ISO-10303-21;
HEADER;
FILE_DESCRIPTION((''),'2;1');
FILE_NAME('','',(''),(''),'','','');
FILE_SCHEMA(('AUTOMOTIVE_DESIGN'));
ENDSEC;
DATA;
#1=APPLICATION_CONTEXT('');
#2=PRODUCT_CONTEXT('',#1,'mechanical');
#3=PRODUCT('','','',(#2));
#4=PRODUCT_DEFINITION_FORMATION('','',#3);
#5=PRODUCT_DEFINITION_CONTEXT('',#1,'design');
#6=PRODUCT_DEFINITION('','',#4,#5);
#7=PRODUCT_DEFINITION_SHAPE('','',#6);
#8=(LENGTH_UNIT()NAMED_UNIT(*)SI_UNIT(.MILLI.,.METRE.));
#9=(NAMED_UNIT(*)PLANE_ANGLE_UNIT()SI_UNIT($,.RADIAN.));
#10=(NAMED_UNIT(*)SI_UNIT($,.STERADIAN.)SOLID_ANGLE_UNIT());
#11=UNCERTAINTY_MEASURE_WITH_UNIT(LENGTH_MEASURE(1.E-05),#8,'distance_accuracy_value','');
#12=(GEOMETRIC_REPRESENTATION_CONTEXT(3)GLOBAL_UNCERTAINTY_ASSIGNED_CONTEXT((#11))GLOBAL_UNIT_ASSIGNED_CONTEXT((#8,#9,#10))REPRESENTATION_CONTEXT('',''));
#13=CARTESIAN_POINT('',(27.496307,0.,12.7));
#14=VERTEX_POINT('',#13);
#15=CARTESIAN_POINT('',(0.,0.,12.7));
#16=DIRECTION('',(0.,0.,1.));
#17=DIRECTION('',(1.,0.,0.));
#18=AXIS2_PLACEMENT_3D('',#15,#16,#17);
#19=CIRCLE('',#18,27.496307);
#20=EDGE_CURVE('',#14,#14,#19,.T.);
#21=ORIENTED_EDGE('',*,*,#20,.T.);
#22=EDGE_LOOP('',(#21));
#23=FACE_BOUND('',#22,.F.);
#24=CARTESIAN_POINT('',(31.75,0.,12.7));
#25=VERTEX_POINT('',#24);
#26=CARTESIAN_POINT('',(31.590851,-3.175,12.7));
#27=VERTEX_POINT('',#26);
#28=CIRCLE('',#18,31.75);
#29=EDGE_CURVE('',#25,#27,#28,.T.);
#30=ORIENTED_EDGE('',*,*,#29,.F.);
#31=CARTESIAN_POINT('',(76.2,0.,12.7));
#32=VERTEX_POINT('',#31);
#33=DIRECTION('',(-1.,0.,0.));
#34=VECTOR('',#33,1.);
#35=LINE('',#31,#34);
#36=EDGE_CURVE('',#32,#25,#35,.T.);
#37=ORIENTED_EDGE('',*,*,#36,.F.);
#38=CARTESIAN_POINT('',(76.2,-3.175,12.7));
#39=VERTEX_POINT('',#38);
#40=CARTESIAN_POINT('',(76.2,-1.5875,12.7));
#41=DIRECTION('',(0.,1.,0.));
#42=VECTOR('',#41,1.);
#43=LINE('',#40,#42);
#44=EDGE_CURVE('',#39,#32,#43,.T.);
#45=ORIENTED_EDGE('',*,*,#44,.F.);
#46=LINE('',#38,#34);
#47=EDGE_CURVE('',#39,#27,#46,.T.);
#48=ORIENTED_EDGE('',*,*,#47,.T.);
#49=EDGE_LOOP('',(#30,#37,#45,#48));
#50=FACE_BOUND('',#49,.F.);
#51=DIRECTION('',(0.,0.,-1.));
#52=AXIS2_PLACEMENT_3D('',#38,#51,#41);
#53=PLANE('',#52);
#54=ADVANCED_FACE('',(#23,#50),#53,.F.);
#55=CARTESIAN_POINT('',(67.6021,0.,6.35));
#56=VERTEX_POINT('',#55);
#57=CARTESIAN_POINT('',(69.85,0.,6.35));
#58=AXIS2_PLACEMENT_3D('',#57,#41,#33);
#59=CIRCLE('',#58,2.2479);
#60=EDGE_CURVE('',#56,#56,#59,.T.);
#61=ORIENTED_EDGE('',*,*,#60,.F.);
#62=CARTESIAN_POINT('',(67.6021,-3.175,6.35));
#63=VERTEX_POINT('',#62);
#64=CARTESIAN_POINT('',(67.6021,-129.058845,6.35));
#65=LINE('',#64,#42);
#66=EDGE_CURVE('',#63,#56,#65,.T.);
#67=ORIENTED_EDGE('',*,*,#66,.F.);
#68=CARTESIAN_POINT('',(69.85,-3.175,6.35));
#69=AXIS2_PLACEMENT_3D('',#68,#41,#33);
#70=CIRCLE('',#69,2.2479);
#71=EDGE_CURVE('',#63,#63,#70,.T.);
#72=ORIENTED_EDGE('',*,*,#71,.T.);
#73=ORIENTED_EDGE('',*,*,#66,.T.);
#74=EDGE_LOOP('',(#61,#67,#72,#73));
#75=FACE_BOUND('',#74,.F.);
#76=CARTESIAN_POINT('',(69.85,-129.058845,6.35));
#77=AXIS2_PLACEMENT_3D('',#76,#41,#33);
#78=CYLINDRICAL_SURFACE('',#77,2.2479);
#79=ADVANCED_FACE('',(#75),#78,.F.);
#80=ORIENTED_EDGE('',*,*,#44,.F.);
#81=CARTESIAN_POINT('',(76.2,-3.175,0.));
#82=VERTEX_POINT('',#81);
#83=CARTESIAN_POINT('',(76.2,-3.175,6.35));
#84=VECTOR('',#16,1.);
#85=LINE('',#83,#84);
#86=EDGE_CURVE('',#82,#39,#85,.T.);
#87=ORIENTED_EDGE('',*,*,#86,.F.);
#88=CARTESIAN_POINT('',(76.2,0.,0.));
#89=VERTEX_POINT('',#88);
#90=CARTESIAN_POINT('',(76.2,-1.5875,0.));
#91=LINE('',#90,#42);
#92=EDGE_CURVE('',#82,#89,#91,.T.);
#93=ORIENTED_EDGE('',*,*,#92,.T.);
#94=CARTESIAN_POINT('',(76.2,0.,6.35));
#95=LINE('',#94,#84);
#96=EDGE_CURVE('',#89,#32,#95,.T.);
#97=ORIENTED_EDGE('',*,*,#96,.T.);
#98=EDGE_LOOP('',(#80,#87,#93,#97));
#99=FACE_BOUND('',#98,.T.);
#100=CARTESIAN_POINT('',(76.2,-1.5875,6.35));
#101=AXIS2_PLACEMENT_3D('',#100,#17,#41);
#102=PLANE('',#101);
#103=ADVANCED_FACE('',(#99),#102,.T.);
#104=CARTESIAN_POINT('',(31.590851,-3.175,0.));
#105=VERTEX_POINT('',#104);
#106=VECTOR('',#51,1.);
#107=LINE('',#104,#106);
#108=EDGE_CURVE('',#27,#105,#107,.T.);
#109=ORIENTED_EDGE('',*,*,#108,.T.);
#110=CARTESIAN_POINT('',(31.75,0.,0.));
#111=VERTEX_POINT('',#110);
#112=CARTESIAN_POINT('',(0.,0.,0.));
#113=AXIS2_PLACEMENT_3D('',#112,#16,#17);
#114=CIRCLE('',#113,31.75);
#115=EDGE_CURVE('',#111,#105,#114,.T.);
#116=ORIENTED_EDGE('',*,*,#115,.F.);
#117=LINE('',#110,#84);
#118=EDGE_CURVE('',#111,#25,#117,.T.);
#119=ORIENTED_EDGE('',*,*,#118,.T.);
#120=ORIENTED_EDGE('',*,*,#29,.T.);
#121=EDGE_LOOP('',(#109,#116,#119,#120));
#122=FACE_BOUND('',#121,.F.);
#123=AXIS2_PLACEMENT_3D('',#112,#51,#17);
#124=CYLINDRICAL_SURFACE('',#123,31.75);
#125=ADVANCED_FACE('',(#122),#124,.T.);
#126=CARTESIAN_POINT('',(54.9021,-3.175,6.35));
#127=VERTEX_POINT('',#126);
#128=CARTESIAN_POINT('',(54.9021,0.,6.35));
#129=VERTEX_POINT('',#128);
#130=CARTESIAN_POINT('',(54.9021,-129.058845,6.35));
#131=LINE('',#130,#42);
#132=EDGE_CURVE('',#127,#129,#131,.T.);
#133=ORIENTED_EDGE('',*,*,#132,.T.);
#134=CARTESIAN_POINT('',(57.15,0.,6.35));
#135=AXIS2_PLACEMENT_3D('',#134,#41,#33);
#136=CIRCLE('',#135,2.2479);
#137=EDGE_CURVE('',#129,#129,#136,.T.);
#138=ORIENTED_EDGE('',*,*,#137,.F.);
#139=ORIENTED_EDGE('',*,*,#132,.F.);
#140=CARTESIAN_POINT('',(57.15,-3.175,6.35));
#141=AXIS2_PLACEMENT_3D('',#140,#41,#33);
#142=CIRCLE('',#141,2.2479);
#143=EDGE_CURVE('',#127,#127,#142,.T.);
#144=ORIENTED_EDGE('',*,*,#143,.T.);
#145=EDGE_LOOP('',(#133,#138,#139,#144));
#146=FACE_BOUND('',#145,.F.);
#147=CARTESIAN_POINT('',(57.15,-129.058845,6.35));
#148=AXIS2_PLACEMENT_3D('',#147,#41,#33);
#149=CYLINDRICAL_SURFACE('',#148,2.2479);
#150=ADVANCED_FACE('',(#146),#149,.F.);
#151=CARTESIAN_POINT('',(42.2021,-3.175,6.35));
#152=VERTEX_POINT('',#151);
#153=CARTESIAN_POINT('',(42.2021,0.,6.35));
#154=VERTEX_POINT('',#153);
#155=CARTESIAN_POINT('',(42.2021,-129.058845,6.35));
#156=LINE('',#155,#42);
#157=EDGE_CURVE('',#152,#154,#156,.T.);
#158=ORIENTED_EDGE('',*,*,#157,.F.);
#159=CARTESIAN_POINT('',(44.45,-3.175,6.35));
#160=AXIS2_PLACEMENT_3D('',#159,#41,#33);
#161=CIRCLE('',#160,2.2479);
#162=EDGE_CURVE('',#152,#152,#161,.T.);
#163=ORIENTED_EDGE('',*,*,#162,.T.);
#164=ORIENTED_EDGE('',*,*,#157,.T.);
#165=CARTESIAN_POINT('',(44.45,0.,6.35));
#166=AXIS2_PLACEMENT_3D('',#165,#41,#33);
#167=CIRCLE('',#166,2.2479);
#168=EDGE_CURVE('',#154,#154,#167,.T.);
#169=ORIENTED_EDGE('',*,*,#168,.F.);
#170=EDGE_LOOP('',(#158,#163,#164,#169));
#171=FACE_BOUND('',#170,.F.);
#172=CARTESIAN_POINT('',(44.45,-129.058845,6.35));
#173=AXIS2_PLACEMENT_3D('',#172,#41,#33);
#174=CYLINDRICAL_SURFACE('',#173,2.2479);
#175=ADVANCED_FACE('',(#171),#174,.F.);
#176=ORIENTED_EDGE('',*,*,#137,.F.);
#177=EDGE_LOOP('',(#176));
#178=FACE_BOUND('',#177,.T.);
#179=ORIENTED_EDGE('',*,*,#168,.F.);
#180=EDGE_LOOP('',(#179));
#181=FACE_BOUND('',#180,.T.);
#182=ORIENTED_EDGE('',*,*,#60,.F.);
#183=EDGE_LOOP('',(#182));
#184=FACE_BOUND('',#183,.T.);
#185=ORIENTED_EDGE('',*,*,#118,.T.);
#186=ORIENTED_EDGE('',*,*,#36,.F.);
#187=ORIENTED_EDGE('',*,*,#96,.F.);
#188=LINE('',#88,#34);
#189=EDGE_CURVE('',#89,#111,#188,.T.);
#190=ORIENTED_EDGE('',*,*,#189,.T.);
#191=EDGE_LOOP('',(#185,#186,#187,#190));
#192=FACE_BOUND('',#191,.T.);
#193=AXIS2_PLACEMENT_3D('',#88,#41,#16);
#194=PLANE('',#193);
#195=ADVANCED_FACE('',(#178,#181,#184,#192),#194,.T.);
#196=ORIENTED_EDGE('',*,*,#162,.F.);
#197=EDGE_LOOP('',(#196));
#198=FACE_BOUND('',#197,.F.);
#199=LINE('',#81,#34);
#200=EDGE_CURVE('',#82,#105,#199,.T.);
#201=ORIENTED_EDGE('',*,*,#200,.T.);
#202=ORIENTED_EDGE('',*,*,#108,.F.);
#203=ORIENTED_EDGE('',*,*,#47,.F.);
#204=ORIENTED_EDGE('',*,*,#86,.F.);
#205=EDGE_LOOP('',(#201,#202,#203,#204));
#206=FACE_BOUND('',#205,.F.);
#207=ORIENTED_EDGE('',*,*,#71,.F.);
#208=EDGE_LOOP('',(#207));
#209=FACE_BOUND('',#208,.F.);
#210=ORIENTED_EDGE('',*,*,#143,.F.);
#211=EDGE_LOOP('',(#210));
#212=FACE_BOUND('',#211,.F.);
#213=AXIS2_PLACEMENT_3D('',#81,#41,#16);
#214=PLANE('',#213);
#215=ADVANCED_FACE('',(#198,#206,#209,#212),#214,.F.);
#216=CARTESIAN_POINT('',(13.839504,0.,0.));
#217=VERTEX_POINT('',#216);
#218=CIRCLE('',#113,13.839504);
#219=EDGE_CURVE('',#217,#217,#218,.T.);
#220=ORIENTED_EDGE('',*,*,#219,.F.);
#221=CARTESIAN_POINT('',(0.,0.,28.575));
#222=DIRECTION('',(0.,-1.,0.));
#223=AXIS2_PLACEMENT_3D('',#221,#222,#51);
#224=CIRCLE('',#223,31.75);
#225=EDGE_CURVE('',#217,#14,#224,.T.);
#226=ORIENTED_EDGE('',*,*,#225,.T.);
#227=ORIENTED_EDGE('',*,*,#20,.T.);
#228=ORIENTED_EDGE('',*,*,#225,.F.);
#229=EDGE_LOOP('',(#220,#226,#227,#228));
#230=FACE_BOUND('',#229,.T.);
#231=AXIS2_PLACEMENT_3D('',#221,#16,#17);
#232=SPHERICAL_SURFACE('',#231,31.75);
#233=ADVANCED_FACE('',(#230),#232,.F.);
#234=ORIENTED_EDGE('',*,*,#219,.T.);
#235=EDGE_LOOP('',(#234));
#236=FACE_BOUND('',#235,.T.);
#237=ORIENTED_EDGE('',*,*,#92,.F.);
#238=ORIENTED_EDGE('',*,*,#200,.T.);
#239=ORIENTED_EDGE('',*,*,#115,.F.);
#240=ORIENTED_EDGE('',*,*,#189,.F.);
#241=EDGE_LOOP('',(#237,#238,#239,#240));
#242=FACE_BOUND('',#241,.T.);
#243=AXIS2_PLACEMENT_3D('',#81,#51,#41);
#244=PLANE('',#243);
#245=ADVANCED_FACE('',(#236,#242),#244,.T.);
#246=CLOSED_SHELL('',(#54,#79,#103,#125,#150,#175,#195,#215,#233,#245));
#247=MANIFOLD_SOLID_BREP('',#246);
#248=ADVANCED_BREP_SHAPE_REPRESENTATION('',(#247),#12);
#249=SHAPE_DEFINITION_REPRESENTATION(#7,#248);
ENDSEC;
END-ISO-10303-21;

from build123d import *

# Parameters (mm, degrees)
F0_R     = 31.75
F1_DEPTH = 12.7
F5_W     = 3.175
F5_H     = 12.7
F8_D     = 4.4958


with BuildPart() as f1:
    # F0 (on Top) → F1 (new body)
    with BuildSketch(Plane.XY):
        Circle(F0_R)
    extrude(amount=F1_DEPTH)

    # F2 (on Front) → F3 (revolve, cut)
    with BuildSketch(Plane.XZ):
        with BuildLine():
            ThreePointArc((0, -3.175), (22.4506403027, 6.1243596973), (31.75, 28.575))
            ThreePointArc((31.75, 28.575), (22.4506403027, 51.0256403027), (0, 60.325))
            Line((0, 60.325), (0, -3.175))
        make_face()
    revolve(axis=Axis((0, 0, 28.575), (0, 0, -1)), mode=Mode.SUBTRACT)

    # F5 (on offset) → F6 (join, up to the next surface of F1)
    with BuildSketch(Plane.YZ.offset(76.2)):
        with Locations((-1.5875, 6.35)):
            Rectangle(F5_W, F5_H)
    extrude(until=Until.NEXT, dir=(-1, 0, 0))

    # F8 (through all)
    with Locations(Plane.XZ.offset(3.175)):
        with Locations((44.45, 6.35), (69.85, 6.35), (57.15, 6.35)):
            Hole(F8_D / 2)


solid = f1.part
